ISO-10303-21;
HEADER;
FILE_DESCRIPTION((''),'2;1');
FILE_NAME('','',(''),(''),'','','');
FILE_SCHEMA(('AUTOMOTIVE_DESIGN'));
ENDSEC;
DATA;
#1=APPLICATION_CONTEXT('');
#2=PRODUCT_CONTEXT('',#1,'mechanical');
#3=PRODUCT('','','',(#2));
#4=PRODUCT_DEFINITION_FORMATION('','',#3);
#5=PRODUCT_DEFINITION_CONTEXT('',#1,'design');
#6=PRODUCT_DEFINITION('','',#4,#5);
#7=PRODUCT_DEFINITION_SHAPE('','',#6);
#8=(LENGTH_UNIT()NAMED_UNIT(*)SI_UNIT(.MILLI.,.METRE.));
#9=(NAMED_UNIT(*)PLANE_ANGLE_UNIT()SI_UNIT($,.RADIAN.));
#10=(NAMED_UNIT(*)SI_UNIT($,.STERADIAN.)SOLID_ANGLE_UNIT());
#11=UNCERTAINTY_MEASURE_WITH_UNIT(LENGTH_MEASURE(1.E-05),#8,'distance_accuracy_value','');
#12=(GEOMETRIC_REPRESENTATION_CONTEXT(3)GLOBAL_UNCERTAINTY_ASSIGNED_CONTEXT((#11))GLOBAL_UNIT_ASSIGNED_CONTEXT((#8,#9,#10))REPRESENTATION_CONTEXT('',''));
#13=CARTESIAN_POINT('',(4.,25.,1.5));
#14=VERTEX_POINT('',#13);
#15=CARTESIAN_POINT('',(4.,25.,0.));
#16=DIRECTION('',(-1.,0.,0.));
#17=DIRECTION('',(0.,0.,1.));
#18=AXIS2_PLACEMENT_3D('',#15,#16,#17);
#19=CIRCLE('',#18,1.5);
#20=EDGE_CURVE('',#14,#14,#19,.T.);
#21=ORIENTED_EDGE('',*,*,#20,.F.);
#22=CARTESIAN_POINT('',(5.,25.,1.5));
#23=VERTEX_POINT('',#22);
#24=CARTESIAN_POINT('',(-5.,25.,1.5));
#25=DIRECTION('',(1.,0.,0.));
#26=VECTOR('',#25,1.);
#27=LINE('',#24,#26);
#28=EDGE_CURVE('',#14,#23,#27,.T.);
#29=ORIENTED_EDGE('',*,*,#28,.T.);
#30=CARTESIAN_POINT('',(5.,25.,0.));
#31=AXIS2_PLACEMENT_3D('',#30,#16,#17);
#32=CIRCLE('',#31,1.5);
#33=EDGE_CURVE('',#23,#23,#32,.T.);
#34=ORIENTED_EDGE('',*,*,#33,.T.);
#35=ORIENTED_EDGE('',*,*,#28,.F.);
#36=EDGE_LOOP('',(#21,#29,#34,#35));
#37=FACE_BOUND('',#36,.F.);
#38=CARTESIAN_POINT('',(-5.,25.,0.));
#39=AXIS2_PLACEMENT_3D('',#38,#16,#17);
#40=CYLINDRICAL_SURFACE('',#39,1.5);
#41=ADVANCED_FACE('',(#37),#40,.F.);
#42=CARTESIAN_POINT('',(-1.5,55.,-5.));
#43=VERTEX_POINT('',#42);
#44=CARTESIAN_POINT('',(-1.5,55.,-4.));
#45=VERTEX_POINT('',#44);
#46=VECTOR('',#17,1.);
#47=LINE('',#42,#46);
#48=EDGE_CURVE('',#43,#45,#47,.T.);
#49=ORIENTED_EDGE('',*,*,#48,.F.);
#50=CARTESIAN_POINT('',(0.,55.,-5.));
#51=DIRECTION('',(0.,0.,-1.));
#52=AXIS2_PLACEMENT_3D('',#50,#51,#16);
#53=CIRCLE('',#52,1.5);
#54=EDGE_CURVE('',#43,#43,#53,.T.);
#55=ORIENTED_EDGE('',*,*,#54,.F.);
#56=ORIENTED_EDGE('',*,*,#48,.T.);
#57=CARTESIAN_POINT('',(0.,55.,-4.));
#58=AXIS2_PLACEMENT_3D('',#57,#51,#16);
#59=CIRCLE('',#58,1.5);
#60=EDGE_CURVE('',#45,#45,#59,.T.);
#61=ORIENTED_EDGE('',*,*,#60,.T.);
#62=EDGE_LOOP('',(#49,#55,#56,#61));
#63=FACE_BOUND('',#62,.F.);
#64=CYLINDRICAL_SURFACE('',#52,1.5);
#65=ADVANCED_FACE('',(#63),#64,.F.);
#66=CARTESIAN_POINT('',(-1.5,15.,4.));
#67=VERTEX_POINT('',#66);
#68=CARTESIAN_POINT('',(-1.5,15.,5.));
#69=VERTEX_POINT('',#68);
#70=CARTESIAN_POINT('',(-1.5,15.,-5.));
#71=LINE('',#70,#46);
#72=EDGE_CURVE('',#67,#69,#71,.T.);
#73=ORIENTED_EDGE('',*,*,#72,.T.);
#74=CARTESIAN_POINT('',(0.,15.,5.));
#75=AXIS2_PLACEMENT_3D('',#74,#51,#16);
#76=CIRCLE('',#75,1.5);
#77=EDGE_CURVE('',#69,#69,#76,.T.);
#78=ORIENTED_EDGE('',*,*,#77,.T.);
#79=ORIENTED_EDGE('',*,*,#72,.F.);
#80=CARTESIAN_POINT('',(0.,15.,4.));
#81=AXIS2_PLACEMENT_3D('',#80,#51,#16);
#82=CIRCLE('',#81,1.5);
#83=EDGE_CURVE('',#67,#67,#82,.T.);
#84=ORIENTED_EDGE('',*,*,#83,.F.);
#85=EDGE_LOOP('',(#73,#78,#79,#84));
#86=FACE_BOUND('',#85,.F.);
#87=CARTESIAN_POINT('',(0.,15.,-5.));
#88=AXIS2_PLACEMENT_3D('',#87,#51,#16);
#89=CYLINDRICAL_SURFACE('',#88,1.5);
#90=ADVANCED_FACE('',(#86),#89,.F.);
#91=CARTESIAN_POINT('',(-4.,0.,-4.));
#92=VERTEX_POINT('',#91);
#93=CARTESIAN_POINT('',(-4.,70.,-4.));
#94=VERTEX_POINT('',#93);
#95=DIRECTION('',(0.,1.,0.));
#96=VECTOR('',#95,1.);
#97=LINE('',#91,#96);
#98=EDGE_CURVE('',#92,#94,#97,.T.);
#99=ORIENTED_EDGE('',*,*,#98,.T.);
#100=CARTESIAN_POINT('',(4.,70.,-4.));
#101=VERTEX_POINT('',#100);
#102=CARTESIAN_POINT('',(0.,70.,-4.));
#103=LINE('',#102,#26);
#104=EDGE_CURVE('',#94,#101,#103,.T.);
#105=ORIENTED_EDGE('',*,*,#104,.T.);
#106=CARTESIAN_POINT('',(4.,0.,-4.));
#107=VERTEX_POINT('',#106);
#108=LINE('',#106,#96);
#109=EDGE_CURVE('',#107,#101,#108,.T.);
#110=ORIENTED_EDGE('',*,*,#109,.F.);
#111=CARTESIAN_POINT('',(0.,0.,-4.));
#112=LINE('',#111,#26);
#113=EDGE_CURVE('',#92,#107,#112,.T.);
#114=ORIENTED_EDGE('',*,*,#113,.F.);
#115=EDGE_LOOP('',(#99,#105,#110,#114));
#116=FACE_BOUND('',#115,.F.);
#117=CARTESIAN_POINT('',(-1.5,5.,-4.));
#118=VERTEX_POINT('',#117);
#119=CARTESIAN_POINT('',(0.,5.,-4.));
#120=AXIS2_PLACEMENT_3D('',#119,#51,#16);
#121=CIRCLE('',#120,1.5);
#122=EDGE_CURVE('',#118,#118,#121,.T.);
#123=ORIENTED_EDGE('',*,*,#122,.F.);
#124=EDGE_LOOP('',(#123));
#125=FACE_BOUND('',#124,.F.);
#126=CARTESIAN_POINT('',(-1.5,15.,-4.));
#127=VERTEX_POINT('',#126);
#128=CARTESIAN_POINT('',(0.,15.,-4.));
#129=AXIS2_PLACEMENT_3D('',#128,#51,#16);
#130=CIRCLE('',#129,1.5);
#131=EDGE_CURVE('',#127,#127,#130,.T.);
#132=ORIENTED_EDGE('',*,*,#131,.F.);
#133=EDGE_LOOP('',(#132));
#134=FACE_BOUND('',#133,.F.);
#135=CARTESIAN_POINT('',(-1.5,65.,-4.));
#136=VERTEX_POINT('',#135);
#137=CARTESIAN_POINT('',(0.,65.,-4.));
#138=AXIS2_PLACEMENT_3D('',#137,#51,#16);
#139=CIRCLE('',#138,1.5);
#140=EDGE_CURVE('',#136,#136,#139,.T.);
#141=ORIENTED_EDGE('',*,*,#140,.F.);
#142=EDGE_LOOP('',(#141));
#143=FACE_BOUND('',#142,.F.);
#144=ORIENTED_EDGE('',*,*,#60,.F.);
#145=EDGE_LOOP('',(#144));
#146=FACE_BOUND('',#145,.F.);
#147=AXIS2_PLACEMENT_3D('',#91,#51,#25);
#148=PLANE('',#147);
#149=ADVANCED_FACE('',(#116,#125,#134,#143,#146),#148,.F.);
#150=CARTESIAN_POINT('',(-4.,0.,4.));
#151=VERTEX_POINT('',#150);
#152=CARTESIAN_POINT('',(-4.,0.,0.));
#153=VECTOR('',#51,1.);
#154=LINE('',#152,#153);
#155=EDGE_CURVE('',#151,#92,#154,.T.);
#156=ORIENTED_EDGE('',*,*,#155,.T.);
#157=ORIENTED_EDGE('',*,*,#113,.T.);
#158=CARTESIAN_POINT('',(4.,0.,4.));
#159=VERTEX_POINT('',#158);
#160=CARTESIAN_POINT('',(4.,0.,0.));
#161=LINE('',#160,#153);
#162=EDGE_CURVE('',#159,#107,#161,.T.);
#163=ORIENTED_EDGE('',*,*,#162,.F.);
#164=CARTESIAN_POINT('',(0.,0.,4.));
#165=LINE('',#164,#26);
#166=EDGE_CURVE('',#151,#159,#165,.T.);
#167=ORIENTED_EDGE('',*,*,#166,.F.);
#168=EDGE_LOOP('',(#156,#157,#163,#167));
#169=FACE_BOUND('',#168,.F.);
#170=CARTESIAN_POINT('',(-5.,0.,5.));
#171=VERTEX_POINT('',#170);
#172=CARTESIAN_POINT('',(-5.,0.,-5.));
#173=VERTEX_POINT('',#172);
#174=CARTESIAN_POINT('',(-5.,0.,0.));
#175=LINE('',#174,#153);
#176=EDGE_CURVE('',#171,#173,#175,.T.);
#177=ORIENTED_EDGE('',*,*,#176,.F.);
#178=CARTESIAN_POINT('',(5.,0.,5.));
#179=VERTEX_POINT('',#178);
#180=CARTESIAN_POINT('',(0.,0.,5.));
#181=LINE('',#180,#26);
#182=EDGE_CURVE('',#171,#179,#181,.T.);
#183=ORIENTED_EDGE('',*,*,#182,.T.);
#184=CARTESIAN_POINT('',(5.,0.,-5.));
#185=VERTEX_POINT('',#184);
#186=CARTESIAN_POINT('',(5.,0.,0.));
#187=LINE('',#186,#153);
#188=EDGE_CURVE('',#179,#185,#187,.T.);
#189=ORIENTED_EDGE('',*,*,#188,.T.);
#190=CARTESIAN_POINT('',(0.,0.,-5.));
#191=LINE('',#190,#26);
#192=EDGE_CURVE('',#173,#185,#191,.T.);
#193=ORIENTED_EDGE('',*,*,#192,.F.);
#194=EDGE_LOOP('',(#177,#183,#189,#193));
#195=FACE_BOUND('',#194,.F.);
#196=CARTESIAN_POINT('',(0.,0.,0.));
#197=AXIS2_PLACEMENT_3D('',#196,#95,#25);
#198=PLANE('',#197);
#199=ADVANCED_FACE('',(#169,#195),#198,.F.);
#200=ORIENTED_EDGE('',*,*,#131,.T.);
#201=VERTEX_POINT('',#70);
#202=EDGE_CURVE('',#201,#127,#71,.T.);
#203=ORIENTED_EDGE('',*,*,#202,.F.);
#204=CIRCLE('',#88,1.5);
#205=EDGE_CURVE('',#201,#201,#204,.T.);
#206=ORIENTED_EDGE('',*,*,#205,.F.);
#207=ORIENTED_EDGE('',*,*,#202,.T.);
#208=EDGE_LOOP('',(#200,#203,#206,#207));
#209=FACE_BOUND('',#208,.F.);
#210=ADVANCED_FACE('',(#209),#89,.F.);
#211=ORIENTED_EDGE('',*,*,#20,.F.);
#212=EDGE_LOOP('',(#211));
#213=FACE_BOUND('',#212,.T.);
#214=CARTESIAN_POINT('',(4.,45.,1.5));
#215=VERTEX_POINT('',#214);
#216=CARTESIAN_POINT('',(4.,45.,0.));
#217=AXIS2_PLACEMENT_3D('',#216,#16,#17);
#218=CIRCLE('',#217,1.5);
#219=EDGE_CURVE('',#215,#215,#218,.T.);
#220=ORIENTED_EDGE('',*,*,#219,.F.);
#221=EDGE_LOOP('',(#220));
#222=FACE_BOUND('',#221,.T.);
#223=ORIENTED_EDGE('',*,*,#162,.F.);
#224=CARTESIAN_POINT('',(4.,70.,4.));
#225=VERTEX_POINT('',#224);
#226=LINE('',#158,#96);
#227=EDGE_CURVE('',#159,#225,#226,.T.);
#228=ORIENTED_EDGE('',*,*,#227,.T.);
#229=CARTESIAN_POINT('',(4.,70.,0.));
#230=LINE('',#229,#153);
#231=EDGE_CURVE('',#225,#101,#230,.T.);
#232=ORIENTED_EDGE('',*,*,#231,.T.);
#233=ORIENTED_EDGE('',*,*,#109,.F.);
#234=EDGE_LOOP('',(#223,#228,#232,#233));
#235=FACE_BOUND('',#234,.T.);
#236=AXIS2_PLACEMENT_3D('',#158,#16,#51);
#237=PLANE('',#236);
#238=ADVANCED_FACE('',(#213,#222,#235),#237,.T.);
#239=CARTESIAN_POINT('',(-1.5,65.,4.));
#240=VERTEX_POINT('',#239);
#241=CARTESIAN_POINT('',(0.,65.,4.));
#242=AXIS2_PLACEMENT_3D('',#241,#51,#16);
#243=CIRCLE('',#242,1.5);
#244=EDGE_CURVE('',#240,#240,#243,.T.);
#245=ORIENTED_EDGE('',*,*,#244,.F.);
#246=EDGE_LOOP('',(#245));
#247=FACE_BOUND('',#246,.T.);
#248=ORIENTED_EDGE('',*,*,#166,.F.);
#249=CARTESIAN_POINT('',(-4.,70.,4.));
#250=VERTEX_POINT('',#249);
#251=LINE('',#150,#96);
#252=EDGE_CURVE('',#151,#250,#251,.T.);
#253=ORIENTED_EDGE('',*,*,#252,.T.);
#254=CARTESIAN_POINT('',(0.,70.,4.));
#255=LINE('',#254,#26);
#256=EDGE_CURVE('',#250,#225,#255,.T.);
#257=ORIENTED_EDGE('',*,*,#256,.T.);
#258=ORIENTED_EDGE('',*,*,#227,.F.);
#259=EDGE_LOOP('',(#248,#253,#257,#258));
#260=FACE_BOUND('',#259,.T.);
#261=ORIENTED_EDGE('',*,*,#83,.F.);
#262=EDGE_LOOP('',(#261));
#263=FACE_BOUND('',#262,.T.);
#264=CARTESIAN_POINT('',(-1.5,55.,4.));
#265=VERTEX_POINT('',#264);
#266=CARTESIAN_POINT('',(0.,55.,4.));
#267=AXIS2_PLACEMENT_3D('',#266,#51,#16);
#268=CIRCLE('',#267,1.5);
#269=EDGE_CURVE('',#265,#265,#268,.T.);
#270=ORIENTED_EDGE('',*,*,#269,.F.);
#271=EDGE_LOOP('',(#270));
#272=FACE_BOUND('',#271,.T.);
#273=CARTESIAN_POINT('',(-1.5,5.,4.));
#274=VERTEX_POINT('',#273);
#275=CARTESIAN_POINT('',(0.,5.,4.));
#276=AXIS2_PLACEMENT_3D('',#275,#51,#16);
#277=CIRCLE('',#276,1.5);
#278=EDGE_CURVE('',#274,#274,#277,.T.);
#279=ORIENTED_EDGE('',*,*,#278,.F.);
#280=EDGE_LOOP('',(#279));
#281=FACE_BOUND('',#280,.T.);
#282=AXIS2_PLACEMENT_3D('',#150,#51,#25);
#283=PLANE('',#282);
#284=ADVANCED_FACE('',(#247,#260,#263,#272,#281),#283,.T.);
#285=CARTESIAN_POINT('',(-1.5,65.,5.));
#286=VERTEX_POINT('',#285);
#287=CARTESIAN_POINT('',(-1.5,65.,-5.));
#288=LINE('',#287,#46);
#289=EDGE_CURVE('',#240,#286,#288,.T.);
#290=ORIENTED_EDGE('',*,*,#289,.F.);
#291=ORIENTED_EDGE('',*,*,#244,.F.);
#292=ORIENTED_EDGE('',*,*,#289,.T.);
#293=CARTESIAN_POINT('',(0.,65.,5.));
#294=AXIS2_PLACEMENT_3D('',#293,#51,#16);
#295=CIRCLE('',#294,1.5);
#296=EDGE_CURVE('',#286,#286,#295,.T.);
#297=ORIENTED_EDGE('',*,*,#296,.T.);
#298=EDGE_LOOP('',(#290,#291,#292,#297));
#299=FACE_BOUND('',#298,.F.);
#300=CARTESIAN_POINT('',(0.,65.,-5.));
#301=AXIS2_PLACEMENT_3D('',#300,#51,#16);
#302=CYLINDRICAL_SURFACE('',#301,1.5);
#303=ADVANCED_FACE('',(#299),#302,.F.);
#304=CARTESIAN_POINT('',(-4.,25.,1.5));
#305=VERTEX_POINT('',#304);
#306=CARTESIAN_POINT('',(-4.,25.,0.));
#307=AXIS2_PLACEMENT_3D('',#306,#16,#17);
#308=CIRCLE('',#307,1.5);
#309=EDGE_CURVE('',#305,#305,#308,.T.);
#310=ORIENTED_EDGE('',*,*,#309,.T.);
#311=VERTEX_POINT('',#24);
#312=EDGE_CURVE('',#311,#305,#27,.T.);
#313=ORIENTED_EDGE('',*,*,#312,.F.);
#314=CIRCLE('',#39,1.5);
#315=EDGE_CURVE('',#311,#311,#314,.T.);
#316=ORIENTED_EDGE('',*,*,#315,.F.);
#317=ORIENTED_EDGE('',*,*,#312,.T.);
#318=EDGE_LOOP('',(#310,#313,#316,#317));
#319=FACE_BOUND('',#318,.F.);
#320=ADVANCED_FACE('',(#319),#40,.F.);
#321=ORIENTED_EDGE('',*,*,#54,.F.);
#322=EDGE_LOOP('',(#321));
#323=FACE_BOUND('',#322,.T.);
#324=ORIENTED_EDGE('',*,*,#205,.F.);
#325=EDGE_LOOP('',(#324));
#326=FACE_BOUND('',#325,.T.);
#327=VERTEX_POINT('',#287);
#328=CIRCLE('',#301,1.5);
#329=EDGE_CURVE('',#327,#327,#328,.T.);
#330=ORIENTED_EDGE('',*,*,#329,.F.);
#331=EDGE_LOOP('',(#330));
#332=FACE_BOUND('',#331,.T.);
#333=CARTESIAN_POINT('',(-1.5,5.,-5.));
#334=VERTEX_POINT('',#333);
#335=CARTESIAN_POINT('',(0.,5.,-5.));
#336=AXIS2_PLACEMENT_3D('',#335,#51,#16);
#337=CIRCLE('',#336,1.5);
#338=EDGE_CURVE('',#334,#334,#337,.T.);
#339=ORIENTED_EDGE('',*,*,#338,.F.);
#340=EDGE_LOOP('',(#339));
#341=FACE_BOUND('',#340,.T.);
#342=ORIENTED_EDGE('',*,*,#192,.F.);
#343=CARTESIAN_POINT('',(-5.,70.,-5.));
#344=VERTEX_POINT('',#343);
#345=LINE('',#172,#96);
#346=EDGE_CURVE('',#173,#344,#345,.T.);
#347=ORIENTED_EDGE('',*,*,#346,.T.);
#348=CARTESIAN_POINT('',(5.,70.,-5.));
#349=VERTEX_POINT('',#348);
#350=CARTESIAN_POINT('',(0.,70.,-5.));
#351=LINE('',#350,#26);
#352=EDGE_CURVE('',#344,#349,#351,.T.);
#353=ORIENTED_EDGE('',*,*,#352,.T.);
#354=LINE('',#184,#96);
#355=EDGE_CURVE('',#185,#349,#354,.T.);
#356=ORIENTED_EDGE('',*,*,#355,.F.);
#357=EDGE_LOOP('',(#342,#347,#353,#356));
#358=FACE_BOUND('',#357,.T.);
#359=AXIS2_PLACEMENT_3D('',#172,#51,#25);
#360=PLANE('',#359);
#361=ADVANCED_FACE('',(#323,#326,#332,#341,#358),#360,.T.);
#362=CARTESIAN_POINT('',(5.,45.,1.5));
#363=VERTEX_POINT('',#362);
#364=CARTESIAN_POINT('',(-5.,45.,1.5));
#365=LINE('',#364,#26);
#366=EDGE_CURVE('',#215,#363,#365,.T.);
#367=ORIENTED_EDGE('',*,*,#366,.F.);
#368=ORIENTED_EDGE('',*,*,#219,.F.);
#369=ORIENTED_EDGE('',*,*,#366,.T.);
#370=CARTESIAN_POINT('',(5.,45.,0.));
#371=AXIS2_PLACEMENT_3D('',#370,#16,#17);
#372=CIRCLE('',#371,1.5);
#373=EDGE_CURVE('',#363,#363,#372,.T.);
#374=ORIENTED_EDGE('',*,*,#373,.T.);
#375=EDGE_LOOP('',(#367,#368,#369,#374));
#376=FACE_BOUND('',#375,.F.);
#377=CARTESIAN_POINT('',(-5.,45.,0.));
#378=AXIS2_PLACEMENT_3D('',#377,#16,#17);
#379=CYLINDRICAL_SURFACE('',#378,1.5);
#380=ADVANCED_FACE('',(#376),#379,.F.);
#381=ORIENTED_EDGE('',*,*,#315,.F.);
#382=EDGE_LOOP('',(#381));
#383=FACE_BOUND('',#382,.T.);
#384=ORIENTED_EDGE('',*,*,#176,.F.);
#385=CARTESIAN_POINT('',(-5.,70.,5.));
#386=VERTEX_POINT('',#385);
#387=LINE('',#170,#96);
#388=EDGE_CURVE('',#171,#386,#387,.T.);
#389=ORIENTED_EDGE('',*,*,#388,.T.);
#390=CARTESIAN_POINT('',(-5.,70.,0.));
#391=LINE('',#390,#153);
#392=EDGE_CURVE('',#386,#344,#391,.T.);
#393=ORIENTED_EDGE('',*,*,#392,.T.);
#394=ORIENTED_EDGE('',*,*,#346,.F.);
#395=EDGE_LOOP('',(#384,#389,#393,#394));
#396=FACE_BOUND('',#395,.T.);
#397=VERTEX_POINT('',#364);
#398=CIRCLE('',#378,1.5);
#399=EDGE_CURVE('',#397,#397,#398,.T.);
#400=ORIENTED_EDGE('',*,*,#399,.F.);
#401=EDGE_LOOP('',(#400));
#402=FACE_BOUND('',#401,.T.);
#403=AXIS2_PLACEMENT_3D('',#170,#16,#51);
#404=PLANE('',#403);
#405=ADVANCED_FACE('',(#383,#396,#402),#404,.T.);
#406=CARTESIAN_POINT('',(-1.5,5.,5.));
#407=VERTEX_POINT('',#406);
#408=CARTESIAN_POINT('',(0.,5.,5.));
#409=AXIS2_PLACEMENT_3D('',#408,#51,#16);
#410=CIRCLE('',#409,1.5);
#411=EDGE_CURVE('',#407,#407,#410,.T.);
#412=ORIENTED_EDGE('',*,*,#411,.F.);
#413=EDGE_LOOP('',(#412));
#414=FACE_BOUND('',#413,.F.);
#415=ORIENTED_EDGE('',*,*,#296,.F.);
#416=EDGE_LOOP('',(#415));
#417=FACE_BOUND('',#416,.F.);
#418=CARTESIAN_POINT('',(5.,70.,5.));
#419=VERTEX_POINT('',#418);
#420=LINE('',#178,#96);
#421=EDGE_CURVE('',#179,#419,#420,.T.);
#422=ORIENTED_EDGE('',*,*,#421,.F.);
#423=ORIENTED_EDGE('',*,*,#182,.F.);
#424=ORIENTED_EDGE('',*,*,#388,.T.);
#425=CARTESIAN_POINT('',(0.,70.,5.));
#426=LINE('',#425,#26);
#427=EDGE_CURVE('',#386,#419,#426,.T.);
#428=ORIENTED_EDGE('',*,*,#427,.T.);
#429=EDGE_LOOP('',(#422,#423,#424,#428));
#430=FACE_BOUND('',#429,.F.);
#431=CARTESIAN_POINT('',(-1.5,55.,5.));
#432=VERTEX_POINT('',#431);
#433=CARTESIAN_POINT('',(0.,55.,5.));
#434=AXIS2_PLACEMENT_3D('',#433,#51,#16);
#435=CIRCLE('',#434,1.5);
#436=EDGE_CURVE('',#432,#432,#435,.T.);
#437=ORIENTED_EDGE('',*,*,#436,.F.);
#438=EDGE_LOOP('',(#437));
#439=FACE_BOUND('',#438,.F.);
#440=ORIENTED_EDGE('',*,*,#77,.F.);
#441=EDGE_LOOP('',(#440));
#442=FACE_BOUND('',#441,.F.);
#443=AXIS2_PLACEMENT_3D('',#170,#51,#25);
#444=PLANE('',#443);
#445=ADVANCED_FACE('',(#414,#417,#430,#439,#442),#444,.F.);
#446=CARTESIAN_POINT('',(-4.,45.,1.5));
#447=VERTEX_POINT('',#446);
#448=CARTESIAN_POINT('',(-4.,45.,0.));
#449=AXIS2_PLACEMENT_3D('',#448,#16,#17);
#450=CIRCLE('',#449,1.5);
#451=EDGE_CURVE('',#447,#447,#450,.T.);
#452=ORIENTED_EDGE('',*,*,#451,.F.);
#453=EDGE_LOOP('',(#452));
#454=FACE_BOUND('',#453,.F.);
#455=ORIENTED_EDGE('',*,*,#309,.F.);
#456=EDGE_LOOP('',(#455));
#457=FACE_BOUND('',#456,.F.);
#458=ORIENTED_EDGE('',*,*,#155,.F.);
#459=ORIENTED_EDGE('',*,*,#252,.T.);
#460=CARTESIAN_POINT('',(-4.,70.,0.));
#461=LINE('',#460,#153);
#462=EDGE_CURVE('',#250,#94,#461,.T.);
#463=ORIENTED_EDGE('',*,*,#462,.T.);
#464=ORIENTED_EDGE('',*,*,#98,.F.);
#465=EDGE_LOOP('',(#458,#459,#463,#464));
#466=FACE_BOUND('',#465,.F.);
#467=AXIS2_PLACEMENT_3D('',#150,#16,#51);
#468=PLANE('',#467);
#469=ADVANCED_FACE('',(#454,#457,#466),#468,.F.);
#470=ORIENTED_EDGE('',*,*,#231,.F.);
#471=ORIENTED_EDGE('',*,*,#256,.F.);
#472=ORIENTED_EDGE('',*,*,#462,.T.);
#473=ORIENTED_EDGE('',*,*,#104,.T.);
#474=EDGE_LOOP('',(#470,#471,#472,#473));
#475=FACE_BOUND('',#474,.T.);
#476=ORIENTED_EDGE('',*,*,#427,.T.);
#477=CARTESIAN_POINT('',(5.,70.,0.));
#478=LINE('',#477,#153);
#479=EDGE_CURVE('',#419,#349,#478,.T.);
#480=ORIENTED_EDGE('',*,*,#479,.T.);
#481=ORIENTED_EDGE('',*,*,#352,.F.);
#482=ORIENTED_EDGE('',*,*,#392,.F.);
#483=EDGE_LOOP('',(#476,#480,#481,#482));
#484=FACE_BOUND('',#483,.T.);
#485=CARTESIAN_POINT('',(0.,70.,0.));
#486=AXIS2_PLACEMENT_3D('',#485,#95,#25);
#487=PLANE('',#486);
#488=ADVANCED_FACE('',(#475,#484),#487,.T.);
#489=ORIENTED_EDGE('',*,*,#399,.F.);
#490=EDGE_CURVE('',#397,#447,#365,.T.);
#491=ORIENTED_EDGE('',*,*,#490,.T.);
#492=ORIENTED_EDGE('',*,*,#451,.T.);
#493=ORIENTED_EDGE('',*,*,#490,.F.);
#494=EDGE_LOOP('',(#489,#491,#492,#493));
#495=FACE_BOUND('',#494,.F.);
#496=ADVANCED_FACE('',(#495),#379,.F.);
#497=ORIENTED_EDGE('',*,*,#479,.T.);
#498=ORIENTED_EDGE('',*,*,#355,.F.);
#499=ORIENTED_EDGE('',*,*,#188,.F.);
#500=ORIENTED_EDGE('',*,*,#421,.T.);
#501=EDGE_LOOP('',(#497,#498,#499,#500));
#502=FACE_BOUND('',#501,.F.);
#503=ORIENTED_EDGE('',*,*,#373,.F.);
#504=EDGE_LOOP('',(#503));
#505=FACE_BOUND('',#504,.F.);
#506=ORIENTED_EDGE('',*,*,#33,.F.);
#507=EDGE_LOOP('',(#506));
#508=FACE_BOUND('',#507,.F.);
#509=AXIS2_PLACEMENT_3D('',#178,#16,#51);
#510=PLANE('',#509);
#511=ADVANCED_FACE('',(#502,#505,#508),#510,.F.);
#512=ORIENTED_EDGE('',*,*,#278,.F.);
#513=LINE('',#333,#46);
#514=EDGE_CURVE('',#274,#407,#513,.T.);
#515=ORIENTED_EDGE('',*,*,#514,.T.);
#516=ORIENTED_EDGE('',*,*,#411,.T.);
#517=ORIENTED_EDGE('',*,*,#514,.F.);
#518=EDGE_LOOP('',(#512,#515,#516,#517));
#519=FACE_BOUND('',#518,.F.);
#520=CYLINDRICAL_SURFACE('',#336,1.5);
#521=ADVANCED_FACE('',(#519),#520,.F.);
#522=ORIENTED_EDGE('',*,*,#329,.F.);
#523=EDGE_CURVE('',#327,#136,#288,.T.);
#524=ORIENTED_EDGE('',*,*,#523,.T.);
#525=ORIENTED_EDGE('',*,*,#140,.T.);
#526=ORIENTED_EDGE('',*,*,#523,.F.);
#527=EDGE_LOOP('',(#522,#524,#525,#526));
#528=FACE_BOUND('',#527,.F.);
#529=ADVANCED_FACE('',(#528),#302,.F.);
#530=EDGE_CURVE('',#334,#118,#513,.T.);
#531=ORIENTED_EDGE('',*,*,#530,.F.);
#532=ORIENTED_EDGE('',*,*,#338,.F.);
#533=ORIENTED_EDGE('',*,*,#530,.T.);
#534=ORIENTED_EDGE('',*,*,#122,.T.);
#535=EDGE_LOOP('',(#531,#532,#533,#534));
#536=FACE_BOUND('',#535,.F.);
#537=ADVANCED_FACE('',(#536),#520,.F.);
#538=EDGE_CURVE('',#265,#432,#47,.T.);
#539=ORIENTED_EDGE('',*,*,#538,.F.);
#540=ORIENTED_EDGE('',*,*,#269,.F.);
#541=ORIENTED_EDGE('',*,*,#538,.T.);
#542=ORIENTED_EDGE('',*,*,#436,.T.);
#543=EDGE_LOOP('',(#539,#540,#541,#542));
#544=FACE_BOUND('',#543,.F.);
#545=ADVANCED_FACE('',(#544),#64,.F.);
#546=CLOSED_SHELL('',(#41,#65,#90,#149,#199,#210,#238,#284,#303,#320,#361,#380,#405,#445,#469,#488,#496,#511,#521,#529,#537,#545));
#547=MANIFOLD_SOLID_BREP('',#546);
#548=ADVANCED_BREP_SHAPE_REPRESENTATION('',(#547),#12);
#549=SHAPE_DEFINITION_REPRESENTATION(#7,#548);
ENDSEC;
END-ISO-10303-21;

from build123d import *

# Parameters (mm, degrees)
SKETCH_1_W          = 10
SKETCH_1_H          = 10
SKETCH_1_W_2        = 8
SKETCH_1_H_2        = 8
EXTRUDE_1_DEPTH     = 70
SKETCH_2_R          = 1.5
CUT_EXTRUDE_1_DEPTH = 30
SKETCH_3_R          = 1.5
CUT_EXTRUDE_2_DEPTH = 30


with BuildPart() as part:
    # 草图1 → 凸台-拉伸1 (new body)
    with BuildSketch(Plane(origin=(0, 0, 0), x_dir=(1, 0, 0), z_dir=(0, 1, 0))):
        Rectangle(SKETCH_1_W, SKETCH_1_H)
        Rectangle(SKETCH_1_W_2, SKETCH_1_H_2, mode=Mode.SUBTRACT)
    extrude(amount=EXTRUDE_1_DEPTH)

    # 草图2 → 切除-拉伸1 (cut)
    with BuildSketch(Plane.ZY.offset(5)):
        with Locations((0, 25)):
            Circle(SKETCH_2_R)
        with Locations((0, 45)):
            Circle(SKETCH_2_R)
    extrude(amount=-CUT_EXTRUDE_1_DEPTH, mode=Mode.SUBTRACT)

    # 草图3 → 切除-拉伸2 (cut)
    with BuildSketch(Plane(origin=(0, 0, -5), x_dir=(-1, 0, 0), z_dir=(0, 0, -1))):
        with Locations((0, 65)):
            Circle(SKETCH_3_R)
        with Locations((0, 55)):
            Circle(SKETCH_3_R)
        with Locations((0, 15)):
            Circle(SKETCH_3_R)
        with Locations((0, 5)):
            Circle(SKETCH_3_R)
    extrude(amount=-CUT_EXTRUDE_2_DEPTH, mode=Mode.SUBTRACT)


solid = part.part
